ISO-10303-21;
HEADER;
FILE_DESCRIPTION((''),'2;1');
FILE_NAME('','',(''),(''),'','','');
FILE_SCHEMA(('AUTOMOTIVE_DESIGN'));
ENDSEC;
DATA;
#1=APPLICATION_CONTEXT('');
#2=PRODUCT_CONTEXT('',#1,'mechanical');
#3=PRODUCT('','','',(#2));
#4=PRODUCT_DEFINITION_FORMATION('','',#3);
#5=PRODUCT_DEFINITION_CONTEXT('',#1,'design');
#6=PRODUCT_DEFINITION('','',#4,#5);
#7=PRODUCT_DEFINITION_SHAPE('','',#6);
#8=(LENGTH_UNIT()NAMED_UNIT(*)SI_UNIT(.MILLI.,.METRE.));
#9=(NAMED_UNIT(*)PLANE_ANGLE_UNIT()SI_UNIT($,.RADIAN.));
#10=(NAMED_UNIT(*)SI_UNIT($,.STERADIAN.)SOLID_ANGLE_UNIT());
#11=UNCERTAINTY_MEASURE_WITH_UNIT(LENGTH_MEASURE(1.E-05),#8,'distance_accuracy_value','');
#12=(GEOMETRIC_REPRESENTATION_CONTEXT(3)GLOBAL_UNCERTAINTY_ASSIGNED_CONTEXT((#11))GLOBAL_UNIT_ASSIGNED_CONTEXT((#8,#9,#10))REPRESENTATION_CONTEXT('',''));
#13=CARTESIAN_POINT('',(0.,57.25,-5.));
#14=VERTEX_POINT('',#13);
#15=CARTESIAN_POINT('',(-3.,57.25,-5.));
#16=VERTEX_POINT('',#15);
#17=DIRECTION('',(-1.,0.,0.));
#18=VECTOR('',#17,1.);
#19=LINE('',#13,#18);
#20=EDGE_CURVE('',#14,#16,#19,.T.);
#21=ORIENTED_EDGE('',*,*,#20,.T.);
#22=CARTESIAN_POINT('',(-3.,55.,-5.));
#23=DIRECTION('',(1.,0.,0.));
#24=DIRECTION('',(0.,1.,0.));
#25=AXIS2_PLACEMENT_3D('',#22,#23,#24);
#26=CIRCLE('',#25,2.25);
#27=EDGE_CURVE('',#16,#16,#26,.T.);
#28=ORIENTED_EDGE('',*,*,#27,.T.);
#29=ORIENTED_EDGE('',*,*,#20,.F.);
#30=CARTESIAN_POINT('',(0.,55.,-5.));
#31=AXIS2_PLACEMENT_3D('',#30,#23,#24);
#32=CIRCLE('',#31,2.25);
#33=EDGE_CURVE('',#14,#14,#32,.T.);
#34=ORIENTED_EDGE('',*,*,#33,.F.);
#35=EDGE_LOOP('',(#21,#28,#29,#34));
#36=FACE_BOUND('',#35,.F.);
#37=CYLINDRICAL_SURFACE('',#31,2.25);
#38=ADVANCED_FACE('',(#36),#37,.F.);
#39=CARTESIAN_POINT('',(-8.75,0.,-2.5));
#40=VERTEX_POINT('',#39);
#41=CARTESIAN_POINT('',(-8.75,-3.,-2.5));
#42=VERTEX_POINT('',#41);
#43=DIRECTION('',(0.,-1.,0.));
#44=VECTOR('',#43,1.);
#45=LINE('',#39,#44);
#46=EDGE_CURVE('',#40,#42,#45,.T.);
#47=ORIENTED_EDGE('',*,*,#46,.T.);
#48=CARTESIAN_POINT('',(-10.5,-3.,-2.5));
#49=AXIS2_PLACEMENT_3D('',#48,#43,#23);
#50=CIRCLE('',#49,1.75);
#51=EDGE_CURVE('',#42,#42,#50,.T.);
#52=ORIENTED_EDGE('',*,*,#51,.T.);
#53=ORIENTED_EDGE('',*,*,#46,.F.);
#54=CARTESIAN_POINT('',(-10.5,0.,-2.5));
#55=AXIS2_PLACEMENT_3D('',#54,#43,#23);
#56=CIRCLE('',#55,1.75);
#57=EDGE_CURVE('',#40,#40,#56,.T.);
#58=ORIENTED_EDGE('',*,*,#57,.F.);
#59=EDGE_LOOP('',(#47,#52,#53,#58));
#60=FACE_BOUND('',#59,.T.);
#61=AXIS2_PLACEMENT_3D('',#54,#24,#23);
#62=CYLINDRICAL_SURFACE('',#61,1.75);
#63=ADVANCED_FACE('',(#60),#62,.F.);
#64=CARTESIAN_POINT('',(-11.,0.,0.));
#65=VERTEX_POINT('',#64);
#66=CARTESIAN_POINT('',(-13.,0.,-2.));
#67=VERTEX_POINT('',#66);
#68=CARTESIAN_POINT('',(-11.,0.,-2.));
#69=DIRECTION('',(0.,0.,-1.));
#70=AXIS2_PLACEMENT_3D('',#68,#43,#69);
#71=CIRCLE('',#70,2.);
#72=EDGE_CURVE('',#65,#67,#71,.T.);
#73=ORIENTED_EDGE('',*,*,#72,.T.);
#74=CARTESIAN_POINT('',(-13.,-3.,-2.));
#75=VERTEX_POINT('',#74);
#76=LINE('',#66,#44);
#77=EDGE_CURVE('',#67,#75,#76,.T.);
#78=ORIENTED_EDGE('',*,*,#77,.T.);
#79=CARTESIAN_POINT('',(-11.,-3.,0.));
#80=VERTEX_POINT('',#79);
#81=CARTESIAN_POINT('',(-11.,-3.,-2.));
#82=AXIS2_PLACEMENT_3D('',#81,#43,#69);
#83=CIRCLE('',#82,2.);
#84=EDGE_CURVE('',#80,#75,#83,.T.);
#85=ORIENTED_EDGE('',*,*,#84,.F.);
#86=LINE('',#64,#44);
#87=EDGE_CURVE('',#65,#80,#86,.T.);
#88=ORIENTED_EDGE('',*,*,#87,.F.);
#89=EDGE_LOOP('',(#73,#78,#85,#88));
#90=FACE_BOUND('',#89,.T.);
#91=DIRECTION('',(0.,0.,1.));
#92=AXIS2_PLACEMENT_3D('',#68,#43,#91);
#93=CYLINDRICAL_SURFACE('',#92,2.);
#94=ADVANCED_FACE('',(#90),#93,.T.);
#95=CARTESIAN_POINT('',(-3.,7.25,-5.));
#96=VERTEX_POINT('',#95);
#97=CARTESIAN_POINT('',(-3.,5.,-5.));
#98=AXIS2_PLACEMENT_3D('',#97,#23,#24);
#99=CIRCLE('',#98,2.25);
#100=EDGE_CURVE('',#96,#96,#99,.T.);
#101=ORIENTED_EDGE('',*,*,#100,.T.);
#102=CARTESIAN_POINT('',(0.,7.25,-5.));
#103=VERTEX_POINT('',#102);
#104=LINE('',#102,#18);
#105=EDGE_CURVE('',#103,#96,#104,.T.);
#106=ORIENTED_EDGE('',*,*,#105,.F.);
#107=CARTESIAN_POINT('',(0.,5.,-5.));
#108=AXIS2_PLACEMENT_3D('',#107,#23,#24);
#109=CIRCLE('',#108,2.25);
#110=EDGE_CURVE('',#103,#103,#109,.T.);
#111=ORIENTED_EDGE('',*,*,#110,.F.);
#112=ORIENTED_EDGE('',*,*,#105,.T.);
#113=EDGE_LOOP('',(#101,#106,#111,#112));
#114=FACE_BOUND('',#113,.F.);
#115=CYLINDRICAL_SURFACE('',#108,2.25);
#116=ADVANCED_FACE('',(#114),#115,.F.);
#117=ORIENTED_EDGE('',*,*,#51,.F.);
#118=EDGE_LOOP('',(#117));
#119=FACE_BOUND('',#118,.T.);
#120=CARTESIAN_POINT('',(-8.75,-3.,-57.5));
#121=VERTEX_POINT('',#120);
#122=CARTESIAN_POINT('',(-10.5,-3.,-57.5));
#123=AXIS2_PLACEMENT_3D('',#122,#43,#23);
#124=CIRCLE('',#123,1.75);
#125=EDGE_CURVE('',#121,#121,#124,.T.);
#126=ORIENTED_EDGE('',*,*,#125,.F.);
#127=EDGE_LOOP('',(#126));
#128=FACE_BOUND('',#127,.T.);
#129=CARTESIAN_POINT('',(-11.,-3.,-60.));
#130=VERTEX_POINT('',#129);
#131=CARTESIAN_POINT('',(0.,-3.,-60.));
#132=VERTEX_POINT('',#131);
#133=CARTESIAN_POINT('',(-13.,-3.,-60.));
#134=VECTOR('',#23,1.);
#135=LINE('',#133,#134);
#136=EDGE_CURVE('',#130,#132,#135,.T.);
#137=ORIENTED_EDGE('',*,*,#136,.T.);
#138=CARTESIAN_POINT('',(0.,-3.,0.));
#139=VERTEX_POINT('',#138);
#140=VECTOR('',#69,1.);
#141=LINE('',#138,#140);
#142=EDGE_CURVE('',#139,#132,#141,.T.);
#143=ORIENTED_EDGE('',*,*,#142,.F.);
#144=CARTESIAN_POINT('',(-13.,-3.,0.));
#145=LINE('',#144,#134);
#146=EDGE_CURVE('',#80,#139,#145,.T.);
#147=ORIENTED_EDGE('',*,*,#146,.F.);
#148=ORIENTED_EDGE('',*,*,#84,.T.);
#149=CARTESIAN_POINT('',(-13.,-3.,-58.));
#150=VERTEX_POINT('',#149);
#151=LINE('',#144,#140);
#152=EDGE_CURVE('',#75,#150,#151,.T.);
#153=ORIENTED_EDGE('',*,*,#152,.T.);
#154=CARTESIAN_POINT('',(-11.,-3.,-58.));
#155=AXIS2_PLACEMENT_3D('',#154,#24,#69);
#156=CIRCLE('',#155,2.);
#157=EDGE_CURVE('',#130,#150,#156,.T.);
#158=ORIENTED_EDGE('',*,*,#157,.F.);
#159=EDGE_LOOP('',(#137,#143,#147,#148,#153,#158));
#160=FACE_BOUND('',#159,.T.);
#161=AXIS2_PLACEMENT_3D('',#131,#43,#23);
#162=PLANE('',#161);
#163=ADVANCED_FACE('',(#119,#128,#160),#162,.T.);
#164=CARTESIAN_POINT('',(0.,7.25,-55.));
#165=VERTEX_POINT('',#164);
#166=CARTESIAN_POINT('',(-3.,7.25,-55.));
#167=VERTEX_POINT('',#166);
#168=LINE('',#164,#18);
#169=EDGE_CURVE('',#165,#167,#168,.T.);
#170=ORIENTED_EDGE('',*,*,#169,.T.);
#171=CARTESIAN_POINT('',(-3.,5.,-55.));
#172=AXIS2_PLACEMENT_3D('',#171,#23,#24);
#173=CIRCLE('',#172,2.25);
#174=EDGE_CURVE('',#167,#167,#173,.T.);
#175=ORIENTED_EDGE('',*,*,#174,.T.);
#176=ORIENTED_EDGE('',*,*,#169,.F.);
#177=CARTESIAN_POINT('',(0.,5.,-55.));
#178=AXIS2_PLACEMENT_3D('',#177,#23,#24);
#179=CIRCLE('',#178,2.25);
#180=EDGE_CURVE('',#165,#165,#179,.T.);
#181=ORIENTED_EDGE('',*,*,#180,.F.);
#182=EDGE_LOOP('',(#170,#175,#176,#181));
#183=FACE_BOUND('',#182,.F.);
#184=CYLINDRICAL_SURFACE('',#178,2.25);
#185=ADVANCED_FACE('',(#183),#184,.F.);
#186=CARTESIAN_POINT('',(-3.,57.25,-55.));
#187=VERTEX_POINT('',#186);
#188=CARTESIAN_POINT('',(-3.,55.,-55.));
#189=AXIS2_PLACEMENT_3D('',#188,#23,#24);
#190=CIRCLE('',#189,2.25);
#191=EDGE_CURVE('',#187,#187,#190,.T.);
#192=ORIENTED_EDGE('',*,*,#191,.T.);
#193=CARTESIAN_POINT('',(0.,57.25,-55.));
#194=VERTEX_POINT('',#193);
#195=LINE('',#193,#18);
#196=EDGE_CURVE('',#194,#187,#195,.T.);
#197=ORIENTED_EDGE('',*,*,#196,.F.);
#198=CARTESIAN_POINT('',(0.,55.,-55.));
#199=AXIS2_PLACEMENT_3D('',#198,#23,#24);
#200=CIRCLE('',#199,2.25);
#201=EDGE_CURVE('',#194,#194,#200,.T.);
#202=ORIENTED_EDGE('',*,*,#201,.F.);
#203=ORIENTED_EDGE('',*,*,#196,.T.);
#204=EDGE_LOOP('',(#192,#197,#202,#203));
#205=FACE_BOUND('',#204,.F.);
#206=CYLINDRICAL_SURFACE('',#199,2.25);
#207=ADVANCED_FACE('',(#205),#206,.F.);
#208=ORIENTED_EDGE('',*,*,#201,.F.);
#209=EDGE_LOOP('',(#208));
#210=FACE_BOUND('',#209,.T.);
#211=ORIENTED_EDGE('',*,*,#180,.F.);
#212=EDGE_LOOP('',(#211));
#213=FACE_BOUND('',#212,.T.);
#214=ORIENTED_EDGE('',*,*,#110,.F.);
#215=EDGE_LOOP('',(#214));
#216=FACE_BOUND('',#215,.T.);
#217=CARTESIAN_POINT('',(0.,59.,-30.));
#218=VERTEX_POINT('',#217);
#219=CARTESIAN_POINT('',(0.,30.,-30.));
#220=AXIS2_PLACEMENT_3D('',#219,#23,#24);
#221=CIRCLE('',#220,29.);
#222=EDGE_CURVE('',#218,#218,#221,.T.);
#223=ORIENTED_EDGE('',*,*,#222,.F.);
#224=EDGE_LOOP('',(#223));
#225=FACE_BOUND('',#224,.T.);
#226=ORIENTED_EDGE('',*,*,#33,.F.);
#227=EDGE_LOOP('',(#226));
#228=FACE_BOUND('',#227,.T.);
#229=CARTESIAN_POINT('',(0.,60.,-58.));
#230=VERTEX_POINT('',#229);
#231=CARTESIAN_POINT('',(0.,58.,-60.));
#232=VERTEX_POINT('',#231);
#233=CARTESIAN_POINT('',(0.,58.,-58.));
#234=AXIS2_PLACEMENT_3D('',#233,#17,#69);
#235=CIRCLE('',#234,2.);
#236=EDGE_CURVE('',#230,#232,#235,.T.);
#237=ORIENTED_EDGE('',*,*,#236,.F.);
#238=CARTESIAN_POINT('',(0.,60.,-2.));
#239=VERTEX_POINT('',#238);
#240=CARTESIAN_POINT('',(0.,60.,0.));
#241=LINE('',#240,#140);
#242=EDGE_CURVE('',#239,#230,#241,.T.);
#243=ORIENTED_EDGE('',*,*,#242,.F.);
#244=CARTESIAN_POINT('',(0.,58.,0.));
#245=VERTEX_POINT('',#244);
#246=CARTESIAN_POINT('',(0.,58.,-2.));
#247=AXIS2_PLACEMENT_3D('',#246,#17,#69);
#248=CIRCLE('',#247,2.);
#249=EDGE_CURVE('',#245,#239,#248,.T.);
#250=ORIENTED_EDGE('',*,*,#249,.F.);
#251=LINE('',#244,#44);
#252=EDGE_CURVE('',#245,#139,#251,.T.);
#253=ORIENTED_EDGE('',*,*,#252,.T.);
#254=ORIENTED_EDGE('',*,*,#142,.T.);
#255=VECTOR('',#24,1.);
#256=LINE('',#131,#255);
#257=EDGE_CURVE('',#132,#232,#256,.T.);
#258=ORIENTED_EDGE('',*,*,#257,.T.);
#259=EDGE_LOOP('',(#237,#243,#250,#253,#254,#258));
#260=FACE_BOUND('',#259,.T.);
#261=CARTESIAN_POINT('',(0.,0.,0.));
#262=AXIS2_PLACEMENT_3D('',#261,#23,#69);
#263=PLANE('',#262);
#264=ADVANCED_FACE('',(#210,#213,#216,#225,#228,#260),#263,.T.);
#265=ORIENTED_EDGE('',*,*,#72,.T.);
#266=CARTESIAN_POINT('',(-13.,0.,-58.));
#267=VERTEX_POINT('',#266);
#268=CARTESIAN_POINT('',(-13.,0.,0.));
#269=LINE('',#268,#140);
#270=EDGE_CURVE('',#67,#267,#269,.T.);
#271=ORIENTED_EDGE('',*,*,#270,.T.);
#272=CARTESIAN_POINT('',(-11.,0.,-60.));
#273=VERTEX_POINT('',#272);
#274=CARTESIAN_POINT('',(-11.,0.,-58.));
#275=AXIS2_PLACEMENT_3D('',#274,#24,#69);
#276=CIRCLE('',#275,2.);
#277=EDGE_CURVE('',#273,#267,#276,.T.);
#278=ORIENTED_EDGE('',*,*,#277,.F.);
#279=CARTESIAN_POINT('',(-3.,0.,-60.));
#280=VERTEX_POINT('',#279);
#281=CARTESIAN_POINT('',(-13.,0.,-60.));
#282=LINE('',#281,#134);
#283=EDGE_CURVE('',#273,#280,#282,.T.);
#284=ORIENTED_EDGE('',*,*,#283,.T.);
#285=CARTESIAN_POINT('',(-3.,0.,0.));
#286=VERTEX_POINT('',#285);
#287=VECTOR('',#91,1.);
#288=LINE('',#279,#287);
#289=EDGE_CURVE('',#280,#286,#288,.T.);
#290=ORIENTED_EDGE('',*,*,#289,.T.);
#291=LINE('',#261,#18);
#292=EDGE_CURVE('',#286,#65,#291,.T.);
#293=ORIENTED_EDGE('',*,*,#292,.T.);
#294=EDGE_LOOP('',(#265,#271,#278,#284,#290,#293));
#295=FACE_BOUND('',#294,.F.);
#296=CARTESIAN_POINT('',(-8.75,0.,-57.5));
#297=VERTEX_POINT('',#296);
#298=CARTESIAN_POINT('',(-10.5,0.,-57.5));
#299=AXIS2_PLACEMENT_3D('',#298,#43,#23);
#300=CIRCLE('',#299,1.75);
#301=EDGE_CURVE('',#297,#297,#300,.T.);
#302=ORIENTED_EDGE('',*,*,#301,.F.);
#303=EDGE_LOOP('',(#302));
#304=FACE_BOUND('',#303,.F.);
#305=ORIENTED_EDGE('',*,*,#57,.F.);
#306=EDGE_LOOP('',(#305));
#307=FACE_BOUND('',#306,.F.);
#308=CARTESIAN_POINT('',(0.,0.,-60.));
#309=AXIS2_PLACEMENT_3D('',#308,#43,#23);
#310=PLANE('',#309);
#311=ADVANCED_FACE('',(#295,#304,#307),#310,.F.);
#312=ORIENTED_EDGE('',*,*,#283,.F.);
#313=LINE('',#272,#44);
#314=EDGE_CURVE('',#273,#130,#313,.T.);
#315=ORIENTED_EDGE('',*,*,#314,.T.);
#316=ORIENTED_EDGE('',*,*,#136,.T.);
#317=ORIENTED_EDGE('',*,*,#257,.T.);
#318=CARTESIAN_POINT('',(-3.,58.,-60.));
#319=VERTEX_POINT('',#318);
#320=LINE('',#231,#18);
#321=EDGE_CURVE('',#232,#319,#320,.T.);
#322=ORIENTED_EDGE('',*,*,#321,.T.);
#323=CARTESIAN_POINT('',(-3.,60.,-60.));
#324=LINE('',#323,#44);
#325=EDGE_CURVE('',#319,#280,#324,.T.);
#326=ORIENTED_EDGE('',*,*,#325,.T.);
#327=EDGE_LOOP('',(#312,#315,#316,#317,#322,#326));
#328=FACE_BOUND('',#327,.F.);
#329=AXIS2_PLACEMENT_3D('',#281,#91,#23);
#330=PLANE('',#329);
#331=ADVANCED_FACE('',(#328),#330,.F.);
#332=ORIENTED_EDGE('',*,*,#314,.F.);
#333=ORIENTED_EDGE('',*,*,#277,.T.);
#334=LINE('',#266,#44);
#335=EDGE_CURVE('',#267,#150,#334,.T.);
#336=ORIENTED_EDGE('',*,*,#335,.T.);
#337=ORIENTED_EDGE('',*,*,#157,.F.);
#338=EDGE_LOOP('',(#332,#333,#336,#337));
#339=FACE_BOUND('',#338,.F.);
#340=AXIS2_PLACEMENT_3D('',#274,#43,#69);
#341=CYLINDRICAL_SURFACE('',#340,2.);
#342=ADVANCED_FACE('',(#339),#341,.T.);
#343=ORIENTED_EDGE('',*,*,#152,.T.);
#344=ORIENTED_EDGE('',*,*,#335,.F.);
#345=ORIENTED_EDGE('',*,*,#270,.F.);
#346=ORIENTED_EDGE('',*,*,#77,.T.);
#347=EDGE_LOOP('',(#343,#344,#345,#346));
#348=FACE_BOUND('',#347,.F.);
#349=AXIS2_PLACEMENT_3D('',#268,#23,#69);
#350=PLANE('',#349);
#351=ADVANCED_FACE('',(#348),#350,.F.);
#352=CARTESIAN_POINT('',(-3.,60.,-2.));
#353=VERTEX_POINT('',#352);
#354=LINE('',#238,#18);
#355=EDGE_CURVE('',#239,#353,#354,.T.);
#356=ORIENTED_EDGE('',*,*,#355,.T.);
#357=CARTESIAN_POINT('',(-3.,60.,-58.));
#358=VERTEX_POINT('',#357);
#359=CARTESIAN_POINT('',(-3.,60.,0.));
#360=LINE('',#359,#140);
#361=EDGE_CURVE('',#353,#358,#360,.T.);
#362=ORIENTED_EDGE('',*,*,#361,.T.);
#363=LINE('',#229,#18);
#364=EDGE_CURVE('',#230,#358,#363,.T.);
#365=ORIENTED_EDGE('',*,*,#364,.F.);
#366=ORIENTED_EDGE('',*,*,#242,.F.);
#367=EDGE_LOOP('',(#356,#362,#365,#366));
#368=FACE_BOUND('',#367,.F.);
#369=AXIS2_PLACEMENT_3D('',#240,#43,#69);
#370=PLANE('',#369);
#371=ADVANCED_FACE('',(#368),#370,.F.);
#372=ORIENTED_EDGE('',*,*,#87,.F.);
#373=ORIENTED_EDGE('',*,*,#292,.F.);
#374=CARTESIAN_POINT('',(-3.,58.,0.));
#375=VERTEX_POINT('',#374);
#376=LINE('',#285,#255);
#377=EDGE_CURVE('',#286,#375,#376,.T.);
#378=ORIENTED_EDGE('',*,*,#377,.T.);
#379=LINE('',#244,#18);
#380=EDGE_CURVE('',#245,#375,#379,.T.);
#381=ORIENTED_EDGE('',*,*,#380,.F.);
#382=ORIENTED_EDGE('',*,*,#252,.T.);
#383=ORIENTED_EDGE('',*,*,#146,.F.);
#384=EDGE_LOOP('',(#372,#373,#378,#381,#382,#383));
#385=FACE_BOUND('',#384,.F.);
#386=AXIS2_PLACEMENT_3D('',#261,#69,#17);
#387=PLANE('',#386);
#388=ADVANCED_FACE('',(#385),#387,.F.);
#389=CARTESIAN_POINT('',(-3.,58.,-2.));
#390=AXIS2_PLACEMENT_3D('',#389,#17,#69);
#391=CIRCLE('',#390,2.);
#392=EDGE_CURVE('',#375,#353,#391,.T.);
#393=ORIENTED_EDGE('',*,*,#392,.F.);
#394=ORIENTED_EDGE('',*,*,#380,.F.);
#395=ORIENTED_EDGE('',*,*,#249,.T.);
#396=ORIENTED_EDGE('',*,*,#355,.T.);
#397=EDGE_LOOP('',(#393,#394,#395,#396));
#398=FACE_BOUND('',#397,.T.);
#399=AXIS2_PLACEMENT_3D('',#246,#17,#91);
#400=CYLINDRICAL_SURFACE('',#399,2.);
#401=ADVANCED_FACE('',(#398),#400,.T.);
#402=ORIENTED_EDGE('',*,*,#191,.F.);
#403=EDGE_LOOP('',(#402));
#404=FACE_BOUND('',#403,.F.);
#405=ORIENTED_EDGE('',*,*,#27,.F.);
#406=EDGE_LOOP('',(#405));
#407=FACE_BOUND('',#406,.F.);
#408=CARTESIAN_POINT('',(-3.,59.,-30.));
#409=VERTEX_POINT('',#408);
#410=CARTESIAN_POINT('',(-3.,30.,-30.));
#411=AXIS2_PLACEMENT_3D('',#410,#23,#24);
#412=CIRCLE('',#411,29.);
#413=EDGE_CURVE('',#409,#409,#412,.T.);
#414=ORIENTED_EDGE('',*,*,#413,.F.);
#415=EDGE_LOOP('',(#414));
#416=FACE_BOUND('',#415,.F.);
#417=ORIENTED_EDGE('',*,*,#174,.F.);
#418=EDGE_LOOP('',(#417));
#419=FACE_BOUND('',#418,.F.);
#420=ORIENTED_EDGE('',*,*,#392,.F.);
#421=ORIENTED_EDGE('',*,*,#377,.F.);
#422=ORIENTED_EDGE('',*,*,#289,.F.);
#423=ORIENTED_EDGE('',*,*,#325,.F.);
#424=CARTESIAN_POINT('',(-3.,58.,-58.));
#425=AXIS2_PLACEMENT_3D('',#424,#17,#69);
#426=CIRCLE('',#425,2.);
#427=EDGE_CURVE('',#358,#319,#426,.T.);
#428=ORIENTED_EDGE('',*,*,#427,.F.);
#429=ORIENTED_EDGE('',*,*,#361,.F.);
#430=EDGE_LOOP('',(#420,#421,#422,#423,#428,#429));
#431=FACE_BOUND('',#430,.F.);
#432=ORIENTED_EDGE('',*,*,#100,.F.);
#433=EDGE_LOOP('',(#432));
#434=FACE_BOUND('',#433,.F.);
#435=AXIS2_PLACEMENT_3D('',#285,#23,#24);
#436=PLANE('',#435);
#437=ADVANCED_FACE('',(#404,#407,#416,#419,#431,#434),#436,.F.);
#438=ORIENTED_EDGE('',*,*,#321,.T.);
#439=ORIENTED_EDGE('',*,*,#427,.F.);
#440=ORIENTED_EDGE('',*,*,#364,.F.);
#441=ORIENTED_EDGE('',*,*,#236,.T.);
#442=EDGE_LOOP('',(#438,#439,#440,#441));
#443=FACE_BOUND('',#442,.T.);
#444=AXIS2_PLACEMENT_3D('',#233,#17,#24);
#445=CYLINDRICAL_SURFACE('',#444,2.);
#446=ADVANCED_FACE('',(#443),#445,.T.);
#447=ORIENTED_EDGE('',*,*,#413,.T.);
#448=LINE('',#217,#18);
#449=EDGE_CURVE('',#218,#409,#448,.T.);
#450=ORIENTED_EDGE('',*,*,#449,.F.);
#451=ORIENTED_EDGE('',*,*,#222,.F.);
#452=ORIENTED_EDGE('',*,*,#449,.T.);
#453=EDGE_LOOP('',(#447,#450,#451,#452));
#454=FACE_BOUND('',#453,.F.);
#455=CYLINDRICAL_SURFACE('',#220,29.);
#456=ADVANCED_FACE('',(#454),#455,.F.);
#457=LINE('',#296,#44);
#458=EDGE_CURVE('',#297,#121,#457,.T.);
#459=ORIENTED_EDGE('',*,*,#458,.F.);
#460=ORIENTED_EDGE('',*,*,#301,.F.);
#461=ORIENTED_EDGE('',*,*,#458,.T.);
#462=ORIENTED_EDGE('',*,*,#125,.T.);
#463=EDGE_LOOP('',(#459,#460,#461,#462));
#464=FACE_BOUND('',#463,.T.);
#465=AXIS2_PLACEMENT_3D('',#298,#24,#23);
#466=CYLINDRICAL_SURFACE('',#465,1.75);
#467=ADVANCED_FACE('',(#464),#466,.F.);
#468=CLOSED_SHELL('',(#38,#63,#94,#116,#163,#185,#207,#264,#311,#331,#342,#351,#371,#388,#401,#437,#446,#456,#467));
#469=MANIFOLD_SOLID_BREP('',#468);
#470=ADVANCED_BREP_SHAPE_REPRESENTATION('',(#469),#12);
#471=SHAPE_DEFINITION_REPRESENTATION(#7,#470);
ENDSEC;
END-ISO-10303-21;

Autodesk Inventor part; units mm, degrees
ref_plane "YZ Plane" through (0, 0, 0) normal (1, 0, 0) x (0, 1, 0)
ref_plane "XZ Plane" through (0, 0, 0) normal (0, 1, 0) x (-1, 0, 0)
ref_plane "XY Plane" through (0, 0, 0) normal (0, 0, 1) x (1, 0, 0)
sketch "Skizze1" plane through (0, 0, 0) normal (1, 0, 0) x (0, 1, 0)
  line L0 (0, 0) -> (60, 0)
  line L1 (60, 0) -> (60, -60)
  line L2 (60, -60) -> (0, -60)
  line L3 (0, -60) -> (0, 0)
  line L4 (0, -30) -> (60, -30) construction
  line L5 (30, 0) -> (30, -60) construction
  circle A0 centre (30, -30) radius 29
  line L6 (0, -5) -> (60, -5) construction
  line L7 (60, -55) -> (0, -55) construction
  line L8 (5, 0) -> (5, -60) construction
  line L9 (55, -60) -> (55, 0) construction
  circle A1 centre (55, -5) radius 2.25
  circle A2 centre (55, -55) radius 2.25
  circle A3 centre (5, -55) radius 2.25
  circle A4 centre (5, -5) radius 2.25
  dimension "d0" = 60
  dimension "d1" = 60
  dimension "d2" = 58
  dimension "d3" = 5
  dimension "d4" = 5
  dimension "d5" = 5
  dimension "d6" = 5
  dimension "d7" = 4.5
  dimension "d8" = 4.5
  dimension "d9" = 4.5
  dimension "d10" = 4.5
extrude "Extrusion1" add sketch "Skizze1" against normal blind 3
sketch "Skizze2" plane through (0, 0, -60) normal (0, -1, 0) x (1, 0, 0)
  line L0 (0, 60) -> (-13, 60)
  line L1 (-13, 60) -> (-13, 0)
  line L2 (-13, 0) -> (0, 0)
  line L3 (-1.5, 60) -> (-1.5, 0) construction
  line L4 (0, 60) -> (-3, 60) projected
  line L5 (0, 60) -> (0, 0) projected
  line L6 (-10.5, 0) -> (-10.5, 60) construction
  line L7 (5, 57.5) -> (-13, 57.5) construction
  line L8 (5, 2.5) -> (-13, 2.5) construction
  circle A0 centre (-10.5, 57.5) radius 1.75
  circle A1 centre (-10.5, 2.5) radius 1.75
  line L9 (0, 60) -> (0, 0)
  point P0 (-3, 0)
  dimension "d13" = 13
  dimension "d14" = 1.5
  dimension "d17" = 2.5
  dimension "d18" = 2.5
  dimension "d19" = 2.5
  dimension "d21" = 3.5
  dimension "d23" = 3.5
fillet "Rundung1" radius 2 2 edges at (-1.5, 60, -60) (-1.5, 60, 0)
extrude "Extrusion4" add sketch "Skizze2" along normal blind 3
fillet "Rundung2" radius 2 2 edges at (-13, -1.5, 0) (-13, -1.5, -60)
properties part number "Halter_Lüfter"
